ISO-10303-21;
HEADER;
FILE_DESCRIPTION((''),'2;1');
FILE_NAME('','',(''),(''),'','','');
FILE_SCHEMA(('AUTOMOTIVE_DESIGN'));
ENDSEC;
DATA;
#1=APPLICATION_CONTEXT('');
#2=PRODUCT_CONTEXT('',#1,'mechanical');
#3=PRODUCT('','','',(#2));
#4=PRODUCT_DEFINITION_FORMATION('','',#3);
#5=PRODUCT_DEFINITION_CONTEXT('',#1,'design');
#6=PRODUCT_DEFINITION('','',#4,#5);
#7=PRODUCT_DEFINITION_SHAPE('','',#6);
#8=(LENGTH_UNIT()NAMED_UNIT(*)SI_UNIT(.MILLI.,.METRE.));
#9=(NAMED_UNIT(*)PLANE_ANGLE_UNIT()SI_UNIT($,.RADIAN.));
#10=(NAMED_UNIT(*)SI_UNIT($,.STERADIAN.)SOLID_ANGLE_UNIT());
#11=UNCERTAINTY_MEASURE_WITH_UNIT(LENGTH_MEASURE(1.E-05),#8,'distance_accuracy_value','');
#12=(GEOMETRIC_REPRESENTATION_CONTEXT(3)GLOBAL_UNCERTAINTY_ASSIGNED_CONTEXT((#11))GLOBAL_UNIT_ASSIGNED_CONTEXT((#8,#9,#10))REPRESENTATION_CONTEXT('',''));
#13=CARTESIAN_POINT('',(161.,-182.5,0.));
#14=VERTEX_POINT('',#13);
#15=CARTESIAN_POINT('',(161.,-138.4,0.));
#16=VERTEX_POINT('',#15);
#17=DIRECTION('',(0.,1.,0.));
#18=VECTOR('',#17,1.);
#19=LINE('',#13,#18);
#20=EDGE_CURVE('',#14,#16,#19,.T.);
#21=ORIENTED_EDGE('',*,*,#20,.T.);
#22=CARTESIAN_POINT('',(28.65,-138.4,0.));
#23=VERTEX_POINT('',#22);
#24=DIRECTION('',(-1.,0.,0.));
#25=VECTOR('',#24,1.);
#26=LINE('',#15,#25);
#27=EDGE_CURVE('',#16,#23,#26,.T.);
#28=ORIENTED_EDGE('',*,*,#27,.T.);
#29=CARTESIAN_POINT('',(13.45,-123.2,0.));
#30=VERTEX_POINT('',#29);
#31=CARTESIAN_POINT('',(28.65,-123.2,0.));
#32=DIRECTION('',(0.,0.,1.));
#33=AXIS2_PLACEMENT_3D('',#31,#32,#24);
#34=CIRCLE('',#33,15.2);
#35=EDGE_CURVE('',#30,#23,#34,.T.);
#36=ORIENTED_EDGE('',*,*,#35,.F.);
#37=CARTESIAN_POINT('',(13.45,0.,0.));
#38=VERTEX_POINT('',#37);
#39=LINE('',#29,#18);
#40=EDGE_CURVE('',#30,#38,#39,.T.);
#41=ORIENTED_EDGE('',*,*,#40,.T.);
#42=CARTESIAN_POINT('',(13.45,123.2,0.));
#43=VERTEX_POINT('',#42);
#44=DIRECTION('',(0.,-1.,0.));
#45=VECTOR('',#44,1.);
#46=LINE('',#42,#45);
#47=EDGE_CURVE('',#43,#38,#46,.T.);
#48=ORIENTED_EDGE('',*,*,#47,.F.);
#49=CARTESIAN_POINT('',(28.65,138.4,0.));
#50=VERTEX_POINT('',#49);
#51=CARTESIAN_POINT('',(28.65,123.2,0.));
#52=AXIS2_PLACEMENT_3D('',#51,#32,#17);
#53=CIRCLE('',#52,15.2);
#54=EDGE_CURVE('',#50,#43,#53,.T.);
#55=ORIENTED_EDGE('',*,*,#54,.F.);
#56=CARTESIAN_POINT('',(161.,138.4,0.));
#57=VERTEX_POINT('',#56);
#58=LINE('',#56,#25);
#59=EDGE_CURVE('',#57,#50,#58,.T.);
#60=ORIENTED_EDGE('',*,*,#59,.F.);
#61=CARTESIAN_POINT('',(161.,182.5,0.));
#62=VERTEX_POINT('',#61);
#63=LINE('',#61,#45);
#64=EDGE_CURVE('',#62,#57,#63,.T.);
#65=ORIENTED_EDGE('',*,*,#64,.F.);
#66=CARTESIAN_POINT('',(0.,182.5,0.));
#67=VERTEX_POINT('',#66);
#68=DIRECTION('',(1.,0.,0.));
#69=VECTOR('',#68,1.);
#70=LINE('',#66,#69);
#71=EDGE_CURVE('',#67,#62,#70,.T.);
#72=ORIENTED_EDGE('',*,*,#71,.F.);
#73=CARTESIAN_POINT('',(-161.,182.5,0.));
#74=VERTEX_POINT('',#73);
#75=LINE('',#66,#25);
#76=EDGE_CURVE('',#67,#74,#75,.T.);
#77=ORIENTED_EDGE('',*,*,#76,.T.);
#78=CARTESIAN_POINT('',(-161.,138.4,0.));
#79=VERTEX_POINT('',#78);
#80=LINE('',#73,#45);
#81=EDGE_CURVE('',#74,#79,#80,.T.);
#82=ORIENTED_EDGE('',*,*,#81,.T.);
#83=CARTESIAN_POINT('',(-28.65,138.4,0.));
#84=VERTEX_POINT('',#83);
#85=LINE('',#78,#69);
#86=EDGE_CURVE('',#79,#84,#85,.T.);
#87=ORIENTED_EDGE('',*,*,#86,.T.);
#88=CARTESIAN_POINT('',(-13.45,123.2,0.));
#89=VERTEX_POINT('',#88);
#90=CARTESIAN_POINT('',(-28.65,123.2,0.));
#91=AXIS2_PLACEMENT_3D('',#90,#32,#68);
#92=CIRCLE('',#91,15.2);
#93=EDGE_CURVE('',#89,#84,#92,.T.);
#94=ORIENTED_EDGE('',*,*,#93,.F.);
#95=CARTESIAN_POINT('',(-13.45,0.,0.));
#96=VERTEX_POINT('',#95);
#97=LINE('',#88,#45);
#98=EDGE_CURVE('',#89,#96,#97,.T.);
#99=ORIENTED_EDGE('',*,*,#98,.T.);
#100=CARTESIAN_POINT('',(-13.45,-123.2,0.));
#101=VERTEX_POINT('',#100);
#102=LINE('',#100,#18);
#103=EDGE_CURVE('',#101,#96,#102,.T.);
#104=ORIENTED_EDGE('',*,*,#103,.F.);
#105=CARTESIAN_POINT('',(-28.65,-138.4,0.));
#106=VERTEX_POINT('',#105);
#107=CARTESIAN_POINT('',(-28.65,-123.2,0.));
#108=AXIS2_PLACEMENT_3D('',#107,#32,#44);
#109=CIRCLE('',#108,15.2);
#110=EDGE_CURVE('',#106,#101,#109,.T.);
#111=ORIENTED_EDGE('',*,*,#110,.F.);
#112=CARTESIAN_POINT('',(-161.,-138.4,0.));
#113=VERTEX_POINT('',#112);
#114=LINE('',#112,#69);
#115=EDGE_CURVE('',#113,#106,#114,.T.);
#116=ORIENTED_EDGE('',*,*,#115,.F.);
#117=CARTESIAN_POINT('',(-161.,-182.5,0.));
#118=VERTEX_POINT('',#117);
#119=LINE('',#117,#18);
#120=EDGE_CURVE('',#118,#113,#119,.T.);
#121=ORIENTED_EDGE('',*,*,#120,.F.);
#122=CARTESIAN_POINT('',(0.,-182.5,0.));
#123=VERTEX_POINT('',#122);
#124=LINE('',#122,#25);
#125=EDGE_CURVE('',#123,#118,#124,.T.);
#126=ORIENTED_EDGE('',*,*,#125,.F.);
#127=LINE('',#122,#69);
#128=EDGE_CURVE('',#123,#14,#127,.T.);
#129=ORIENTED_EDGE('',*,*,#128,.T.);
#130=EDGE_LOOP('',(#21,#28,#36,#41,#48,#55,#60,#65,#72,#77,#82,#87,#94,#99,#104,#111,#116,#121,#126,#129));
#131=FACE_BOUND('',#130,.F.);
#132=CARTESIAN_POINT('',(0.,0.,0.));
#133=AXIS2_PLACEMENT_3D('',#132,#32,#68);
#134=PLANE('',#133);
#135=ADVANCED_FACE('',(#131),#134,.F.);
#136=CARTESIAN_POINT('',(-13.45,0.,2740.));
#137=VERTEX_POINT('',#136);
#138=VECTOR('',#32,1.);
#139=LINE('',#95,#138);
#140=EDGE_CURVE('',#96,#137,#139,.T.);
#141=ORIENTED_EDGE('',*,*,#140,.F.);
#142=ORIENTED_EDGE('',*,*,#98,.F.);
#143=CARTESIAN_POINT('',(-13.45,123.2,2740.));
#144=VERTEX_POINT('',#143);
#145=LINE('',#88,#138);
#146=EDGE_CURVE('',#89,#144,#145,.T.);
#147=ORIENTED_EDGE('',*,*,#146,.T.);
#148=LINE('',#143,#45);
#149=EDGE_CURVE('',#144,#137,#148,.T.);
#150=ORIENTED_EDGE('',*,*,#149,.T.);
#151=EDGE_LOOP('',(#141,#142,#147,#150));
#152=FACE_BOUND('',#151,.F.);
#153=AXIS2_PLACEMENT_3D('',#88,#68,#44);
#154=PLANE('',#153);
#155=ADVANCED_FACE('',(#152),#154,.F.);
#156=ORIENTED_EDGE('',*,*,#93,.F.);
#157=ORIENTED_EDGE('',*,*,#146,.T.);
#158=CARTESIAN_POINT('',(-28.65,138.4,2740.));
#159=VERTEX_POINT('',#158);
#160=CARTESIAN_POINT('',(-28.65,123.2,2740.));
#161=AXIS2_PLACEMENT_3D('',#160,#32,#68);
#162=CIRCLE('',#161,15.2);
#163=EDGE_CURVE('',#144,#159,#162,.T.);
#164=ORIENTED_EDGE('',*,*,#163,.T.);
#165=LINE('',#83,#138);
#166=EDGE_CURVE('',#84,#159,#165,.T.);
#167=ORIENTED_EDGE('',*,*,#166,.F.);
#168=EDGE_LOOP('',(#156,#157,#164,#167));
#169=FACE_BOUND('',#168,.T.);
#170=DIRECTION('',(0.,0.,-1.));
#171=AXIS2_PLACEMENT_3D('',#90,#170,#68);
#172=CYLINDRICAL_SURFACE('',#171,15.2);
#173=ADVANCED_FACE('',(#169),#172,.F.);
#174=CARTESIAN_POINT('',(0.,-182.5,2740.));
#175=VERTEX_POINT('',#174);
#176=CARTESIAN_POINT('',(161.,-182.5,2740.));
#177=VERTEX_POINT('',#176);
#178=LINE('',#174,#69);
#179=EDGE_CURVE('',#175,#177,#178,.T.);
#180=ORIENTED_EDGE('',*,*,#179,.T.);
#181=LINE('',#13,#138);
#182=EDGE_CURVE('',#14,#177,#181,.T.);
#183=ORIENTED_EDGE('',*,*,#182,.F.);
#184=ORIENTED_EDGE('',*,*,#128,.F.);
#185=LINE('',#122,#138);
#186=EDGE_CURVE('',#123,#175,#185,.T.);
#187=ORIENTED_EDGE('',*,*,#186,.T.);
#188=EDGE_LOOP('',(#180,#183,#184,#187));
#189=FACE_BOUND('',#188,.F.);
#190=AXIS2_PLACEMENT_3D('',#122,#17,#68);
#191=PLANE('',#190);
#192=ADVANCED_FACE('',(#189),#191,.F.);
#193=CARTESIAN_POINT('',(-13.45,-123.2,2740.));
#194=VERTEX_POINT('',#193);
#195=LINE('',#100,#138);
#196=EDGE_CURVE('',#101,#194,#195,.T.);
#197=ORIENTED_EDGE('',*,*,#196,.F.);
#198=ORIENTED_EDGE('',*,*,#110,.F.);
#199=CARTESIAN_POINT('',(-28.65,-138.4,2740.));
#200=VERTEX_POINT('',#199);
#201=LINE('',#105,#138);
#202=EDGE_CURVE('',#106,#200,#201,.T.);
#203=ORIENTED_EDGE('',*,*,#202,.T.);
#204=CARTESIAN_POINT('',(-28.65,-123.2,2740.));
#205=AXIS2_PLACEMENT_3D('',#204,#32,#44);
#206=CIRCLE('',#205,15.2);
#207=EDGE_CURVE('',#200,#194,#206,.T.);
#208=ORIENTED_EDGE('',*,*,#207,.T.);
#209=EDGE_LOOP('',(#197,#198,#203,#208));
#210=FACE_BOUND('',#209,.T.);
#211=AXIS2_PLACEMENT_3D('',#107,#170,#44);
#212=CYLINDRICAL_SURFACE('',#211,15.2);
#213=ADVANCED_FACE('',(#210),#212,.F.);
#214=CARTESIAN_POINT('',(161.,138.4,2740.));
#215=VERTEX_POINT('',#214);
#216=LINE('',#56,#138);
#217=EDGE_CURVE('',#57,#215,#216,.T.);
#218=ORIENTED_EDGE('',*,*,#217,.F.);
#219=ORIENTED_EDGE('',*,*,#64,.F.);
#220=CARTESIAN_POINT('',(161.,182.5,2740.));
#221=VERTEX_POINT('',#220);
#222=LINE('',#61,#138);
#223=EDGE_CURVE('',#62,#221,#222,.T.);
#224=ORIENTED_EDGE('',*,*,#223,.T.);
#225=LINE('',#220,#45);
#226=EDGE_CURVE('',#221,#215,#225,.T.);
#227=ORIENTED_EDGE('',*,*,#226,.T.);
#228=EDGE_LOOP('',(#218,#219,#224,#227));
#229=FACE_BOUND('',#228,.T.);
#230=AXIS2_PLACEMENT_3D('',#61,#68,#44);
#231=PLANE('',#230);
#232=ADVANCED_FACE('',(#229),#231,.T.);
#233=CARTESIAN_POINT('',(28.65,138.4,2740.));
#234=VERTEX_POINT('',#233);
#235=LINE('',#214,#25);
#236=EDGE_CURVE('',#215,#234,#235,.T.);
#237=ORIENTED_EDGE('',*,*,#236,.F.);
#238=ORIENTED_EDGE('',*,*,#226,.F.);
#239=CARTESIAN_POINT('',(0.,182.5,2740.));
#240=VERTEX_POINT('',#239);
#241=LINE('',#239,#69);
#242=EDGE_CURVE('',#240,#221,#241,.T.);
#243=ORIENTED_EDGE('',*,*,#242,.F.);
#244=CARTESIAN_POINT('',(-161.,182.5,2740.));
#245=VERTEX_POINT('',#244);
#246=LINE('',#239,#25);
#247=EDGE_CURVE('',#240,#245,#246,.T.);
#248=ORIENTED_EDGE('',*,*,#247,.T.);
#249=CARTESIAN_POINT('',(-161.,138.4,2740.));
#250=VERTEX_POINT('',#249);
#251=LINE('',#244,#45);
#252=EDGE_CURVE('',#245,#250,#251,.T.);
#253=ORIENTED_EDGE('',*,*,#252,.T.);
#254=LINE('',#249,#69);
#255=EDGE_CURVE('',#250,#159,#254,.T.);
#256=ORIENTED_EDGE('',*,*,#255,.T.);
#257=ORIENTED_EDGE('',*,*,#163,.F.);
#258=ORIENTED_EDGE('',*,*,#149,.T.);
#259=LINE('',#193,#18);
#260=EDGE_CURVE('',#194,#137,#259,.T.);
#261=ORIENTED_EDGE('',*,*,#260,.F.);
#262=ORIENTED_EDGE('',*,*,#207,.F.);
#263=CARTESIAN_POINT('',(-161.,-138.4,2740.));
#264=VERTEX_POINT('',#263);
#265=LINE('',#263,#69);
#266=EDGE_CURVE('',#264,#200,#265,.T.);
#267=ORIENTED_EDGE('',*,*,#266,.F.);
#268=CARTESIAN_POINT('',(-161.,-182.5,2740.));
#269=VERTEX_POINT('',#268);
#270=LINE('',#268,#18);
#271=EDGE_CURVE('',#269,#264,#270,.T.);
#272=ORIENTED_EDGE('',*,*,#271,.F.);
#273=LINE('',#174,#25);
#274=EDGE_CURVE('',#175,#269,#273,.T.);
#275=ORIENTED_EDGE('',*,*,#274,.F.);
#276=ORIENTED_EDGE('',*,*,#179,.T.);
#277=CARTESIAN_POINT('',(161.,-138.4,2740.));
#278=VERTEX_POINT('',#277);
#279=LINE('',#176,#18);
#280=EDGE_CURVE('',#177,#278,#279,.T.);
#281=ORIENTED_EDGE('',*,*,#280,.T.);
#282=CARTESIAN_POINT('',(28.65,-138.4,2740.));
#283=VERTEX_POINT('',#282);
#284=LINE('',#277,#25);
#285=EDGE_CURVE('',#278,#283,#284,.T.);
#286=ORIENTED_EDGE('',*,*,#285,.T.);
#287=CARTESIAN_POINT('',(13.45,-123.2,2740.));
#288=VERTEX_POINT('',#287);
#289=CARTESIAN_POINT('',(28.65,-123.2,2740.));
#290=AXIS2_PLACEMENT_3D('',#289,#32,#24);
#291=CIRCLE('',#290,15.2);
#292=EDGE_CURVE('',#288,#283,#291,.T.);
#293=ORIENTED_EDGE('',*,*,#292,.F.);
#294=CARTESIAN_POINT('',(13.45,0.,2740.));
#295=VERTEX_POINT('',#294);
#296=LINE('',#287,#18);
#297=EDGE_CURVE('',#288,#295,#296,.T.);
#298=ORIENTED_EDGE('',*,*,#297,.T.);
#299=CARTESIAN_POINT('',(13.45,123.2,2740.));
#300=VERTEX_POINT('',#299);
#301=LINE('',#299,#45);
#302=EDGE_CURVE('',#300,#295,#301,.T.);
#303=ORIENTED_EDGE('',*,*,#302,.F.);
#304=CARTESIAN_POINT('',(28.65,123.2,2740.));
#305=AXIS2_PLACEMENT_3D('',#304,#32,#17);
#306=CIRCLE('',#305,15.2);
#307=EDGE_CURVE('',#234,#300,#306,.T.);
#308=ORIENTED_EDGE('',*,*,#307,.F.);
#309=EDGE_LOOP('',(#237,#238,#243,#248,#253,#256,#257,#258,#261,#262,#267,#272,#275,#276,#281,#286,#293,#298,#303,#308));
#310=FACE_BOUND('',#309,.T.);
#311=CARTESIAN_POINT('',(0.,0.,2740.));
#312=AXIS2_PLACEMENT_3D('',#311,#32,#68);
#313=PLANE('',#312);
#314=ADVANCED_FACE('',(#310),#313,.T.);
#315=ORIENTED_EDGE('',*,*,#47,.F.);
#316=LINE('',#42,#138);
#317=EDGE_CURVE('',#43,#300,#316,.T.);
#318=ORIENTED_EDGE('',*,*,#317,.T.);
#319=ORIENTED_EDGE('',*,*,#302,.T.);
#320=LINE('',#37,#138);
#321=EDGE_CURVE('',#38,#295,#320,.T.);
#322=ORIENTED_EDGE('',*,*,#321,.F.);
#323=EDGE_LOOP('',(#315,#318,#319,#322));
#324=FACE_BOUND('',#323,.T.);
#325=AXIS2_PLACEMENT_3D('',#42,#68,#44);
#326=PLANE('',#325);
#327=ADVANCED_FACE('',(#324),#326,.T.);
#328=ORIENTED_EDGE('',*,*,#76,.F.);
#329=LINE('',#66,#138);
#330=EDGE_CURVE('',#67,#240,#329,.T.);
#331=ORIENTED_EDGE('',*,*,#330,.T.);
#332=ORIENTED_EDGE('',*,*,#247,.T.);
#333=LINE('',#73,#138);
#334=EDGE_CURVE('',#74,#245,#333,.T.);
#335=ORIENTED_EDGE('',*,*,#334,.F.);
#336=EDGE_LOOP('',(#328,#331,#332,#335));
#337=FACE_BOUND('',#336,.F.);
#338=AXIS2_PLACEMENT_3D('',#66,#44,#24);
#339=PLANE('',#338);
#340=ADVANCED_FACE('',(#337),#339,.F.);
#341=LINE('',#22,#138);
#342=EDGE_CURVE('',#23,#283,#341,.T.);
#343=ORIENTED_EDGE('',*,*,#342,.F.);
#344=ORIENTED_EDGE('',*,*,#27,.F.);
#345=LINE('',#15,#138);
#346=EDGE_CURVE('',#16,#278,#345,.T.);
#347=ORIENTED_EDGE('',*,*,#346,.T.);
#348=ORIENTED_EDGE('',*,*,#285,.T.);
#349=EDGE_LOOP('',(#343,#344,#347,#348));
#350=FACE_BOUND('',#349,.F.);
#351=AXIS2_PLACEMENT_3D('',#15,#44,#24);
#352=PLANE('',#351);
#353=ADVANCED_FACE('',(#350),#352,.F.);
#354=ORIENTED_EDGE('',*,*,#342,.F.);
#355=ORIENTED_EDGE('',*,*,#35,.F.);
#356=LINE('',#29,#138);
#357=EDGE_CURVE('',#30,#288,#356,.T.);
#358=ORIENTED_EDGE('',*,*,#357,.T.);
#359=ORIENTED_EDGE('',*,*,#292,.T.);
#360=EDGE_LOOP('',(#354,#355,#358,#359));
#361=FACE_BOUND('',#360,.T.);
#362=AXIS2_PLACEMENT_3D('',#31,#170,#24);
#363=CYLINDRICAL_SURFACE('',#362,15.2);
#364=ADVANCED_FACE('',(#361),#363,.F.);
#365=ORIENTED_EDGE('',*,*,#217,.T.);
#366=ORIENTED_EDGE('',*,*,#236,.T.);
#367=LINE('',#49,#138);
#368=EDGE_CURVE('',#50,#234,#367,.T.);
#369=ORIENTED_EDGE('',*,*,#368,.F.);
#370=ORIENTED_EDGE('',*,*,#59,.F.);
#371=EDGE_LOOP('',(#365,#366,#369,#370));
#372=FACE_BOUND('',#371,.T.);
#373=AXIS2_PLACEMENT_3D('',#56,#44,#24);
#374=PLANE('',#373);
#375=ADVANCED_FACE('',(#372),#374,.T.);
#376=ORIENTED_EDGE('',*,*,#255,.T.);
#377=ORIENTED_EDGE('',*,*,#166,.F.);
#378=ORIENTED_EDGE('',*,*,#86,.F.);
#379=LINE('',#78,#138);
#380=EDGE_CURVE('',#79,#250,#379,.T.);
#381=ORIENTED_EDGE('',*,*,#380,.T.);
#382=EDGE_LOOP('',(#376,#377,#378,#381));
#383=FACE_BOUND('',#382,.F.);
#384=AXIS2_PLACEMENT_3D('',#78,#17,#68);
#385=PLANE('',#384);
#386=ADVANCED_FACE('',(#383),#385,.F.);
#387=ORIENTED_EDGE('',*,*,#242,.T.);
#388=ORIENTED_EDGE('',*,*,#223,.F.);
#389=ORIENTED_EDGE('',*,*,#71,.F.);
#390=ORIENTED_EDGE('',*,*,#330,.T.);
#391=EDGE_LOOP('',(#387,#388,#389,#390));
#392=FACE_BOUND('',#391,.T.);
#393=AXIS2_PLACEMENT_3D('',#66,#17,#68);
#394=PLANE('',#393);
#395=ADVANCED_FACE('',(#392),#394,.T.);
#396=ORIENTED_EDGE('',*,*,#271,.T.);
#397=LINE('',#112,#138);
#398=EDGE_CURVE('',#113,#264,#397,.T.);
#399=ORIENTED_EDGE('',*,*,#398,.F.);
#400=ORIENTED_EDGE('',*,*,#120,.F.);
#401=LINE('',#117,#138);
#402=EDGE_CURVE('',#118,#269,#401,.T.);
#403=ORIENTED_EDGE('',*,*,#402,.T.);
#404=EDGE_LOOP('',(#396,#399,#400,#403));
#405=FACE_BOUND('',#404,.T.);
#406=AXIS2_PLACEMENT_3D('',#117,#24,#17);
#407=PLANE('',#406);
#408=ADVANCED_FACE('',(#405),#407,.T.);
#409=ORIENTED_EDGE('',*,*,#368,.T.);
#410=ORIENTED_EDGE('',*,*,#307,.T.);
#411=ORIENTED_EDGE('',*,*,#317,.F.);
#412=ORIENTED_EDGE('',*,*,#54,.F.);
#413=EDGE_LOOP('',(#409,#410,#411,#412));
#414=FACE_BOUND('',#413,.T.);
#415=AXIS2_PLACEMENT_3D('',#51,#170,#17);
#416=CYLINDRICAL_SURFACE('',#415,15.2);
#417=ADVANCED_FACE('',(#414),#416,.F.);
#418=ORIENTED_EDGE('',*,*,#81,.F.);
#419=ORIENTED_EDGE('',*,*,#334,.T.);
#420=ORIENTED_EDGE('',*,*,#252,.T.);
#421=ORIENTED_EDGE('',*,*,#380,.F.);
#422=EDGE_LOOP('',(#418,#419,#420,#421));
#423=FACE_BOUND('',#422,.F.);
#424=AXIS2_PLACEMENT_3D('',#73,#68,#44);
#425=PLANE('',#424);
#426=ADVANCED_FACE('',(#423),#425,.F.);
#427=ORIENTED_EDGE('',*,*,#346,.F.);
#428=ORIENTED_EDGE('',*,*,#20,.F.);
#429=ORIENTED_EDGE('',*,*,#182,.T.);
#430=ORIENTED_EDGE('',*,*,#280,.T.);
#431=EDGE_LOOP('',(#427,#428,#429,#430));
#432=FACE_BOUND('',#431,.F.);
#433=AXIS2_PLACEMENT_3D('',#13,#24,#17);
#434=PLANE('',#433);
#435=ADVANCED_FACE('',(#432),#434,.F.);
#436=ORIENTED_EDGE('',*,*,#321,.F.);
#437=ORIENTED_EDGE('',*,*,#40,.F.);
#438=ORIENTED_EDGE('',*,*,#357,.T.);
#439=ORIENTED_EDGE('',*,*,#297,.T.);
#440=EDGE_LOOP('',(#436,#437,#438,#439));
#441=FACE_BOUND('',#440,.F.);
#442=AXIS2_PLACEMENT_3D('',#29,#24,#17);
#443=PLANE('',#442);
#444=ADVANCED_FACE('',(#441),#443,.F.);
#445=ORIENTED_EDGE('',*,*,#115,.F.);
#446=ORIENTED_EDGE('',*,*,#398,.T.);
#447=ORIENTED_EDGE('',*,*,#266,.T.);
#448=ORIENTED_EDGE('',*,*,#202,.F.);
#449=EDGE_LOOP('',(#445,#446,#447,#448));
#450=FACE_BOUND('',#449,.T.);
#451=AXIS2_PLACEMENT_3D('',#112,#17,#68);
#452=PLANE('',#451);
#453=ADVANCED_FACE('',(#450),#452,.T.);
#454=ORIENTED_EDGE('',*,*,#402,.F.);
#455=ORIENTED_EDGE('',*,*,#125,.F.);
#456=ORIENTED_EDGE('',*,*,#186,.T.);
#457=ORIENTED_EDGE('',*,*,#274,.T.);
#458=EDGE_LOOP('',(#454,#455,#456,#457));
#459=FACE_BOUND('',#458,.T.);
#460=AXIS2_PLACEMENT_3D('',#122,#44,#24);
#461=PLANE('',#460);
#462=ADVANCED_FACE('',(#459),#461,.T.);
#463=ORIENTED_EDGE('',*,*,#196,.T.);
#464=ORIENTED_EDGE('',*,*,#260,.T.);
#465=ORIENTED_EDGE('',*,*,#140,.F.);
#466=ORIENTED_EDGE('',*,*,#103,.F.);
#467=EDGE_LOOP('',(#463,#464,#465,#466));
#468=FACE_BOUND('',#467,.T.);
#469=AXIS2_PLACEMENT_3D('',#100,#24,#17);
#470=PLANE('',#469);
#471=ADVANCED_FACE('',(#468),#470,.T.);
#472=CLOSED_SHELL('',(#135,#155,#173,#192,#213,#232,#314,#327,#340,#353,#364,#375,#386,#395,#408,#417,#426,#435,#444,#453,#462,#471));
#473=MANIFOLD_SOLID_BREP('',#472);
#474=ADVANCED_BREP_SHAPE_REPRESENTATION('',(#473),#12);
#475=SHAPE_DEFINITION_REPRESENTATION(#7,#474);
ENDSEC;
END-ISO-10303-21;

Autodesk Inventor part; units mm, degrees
ref_plane "YZ Plane" through (0, 0, 0) normal (1, 0, 0) x (0, 1, 0)
ref_plane "Start plane" through (0, 0, 0) normal (0, 0, 1) x (1, 0, 0)
ref_plane "End plane" through (0, 0, 2740) normal (0, 0, 1) x (1, 0, 0)
sketch "Sketch" plane through (0, 0, 0) normal (0, 0, 1) x (1, 0, 0)
  line L0 (-161, -182.5) -> (-161, -138.4)
  line L1 (-161, -138.4) -> (-28.65, -138.4)
  line L2 (-13.45, -123.2) -> (-13.45, 0)
  line L3 (-13.45, 0) -> (0, 0) construction
  line L4 (0, 0) -> (0, -182.5) construction
  line L5 (0, -182.5) -> (-161, -182.5)
  line L6 (-60, 0) -> (80, 0) construction
  line L7 (0, -60) -> (0, 80) construction
  line L8 (161, -182.5) -> (161, -138.4)
  line L9 (161, -138.4) -> (28.65, -138.4)
  line L10 (13.45, -123.2) -> (13.45, 0)
  line L11 (13.45, 0) -> (0, 0) construction
  line L12 (0, -182.5) -> (161, -182.5)
  line L13 (-161, 182.5) -> (-161, 138.4)
  line L14 (-161, 138.4) -> (-28.65, 138.4)
  line L15 (-13.45, 123.2) -> (-13.45, 0)
  line L16 (0, 182.5) -> (-161, 182.5)
  line L17 (161, 182.5) -> (161, 138.4)
  line L18 (161, 138.4) -> (28.65, 138.4)
  line L19 (0, 182.5) -> (161, 182.5)
  line L20 (13.45, 123.2) -> (13.45, 0)
  arc A0 (-13.45, 123.2) -> (-28.65, 138.4) centre (-28.65, 123.2) ccw
  arc A1 (28.65, 138.4) -> (13.45, 123.2) centre (28.65, 123.2) ccw
  arc A2 (13.45, -123.2) -> (28.65, -138.4) centre (28.65, -123.2) ccw
  arc A3 (-28.65, -138.4) -> (-13.45, -123.2) centre (-28.65, -123.2) ccw
  line L21 (0, 108) -> (0, -88) construction
  line L22 (-88, 0) -> (108, 0) construction
  point P0 (-13.45, -138.4)
  point P1 (13.45, -138.4)
  point P2 (-13.45, 138.4)
  point P3 (13.45, 138.4)
  dimension "d1" = 182.5
  dimension "d2" = 44.1
  dimension "d3" = 161
  dimension "d4" = 13.45
  dimension "d10" = 15.2
extrude "Body" add sketch "Sketch" along normal up to surface (2740 mm away) from surface at 0
sketch "Sketch4" plane through (0, 0, 0) normal (0, 0, 1) x (1, 0, 0)
  line L0 (0, 0) -> (10, 0)
ref_plane "Work Plane3" through (0, 0, 0) normal (0, -1, 0) x (1, 0, 0)
sketch "Sketch5" plane through (0, 0, 0) normal (0, -1, 0) x (1, 0, 0)
  line L0 (-2, 0) -> (12, 0) projected
  line L1 (-2, 2740) -> (12, 2740) projected
  dimension "d14" = 2740
equation "\"d1\" = 0.5 * G_H"
equation "\"d2\" = G_T1"
equation "\"d3\" = 0.5 * G_W"
equation "\"d4\" = 0.5 * G_T"
equation "\"d10\" = G_IR"
equation "\"d5\" = G_L"
equation "\"G_W\" = 322"
equation "\"G_H\" = 365"
equation "\"G_T\" = 26.9"
equation "\"G_T1\" = 44.1"
equation "\"G_IR\" = 15.2"
equation "\"G_L\" = d14"
equation "\"G_OFFSET_START\" = 0"
equation "\"G_OFFSET_END\" = 0"
properties part number "AS 3679 - 310 UC - 283 - 2740" material "Steel, Mild"
